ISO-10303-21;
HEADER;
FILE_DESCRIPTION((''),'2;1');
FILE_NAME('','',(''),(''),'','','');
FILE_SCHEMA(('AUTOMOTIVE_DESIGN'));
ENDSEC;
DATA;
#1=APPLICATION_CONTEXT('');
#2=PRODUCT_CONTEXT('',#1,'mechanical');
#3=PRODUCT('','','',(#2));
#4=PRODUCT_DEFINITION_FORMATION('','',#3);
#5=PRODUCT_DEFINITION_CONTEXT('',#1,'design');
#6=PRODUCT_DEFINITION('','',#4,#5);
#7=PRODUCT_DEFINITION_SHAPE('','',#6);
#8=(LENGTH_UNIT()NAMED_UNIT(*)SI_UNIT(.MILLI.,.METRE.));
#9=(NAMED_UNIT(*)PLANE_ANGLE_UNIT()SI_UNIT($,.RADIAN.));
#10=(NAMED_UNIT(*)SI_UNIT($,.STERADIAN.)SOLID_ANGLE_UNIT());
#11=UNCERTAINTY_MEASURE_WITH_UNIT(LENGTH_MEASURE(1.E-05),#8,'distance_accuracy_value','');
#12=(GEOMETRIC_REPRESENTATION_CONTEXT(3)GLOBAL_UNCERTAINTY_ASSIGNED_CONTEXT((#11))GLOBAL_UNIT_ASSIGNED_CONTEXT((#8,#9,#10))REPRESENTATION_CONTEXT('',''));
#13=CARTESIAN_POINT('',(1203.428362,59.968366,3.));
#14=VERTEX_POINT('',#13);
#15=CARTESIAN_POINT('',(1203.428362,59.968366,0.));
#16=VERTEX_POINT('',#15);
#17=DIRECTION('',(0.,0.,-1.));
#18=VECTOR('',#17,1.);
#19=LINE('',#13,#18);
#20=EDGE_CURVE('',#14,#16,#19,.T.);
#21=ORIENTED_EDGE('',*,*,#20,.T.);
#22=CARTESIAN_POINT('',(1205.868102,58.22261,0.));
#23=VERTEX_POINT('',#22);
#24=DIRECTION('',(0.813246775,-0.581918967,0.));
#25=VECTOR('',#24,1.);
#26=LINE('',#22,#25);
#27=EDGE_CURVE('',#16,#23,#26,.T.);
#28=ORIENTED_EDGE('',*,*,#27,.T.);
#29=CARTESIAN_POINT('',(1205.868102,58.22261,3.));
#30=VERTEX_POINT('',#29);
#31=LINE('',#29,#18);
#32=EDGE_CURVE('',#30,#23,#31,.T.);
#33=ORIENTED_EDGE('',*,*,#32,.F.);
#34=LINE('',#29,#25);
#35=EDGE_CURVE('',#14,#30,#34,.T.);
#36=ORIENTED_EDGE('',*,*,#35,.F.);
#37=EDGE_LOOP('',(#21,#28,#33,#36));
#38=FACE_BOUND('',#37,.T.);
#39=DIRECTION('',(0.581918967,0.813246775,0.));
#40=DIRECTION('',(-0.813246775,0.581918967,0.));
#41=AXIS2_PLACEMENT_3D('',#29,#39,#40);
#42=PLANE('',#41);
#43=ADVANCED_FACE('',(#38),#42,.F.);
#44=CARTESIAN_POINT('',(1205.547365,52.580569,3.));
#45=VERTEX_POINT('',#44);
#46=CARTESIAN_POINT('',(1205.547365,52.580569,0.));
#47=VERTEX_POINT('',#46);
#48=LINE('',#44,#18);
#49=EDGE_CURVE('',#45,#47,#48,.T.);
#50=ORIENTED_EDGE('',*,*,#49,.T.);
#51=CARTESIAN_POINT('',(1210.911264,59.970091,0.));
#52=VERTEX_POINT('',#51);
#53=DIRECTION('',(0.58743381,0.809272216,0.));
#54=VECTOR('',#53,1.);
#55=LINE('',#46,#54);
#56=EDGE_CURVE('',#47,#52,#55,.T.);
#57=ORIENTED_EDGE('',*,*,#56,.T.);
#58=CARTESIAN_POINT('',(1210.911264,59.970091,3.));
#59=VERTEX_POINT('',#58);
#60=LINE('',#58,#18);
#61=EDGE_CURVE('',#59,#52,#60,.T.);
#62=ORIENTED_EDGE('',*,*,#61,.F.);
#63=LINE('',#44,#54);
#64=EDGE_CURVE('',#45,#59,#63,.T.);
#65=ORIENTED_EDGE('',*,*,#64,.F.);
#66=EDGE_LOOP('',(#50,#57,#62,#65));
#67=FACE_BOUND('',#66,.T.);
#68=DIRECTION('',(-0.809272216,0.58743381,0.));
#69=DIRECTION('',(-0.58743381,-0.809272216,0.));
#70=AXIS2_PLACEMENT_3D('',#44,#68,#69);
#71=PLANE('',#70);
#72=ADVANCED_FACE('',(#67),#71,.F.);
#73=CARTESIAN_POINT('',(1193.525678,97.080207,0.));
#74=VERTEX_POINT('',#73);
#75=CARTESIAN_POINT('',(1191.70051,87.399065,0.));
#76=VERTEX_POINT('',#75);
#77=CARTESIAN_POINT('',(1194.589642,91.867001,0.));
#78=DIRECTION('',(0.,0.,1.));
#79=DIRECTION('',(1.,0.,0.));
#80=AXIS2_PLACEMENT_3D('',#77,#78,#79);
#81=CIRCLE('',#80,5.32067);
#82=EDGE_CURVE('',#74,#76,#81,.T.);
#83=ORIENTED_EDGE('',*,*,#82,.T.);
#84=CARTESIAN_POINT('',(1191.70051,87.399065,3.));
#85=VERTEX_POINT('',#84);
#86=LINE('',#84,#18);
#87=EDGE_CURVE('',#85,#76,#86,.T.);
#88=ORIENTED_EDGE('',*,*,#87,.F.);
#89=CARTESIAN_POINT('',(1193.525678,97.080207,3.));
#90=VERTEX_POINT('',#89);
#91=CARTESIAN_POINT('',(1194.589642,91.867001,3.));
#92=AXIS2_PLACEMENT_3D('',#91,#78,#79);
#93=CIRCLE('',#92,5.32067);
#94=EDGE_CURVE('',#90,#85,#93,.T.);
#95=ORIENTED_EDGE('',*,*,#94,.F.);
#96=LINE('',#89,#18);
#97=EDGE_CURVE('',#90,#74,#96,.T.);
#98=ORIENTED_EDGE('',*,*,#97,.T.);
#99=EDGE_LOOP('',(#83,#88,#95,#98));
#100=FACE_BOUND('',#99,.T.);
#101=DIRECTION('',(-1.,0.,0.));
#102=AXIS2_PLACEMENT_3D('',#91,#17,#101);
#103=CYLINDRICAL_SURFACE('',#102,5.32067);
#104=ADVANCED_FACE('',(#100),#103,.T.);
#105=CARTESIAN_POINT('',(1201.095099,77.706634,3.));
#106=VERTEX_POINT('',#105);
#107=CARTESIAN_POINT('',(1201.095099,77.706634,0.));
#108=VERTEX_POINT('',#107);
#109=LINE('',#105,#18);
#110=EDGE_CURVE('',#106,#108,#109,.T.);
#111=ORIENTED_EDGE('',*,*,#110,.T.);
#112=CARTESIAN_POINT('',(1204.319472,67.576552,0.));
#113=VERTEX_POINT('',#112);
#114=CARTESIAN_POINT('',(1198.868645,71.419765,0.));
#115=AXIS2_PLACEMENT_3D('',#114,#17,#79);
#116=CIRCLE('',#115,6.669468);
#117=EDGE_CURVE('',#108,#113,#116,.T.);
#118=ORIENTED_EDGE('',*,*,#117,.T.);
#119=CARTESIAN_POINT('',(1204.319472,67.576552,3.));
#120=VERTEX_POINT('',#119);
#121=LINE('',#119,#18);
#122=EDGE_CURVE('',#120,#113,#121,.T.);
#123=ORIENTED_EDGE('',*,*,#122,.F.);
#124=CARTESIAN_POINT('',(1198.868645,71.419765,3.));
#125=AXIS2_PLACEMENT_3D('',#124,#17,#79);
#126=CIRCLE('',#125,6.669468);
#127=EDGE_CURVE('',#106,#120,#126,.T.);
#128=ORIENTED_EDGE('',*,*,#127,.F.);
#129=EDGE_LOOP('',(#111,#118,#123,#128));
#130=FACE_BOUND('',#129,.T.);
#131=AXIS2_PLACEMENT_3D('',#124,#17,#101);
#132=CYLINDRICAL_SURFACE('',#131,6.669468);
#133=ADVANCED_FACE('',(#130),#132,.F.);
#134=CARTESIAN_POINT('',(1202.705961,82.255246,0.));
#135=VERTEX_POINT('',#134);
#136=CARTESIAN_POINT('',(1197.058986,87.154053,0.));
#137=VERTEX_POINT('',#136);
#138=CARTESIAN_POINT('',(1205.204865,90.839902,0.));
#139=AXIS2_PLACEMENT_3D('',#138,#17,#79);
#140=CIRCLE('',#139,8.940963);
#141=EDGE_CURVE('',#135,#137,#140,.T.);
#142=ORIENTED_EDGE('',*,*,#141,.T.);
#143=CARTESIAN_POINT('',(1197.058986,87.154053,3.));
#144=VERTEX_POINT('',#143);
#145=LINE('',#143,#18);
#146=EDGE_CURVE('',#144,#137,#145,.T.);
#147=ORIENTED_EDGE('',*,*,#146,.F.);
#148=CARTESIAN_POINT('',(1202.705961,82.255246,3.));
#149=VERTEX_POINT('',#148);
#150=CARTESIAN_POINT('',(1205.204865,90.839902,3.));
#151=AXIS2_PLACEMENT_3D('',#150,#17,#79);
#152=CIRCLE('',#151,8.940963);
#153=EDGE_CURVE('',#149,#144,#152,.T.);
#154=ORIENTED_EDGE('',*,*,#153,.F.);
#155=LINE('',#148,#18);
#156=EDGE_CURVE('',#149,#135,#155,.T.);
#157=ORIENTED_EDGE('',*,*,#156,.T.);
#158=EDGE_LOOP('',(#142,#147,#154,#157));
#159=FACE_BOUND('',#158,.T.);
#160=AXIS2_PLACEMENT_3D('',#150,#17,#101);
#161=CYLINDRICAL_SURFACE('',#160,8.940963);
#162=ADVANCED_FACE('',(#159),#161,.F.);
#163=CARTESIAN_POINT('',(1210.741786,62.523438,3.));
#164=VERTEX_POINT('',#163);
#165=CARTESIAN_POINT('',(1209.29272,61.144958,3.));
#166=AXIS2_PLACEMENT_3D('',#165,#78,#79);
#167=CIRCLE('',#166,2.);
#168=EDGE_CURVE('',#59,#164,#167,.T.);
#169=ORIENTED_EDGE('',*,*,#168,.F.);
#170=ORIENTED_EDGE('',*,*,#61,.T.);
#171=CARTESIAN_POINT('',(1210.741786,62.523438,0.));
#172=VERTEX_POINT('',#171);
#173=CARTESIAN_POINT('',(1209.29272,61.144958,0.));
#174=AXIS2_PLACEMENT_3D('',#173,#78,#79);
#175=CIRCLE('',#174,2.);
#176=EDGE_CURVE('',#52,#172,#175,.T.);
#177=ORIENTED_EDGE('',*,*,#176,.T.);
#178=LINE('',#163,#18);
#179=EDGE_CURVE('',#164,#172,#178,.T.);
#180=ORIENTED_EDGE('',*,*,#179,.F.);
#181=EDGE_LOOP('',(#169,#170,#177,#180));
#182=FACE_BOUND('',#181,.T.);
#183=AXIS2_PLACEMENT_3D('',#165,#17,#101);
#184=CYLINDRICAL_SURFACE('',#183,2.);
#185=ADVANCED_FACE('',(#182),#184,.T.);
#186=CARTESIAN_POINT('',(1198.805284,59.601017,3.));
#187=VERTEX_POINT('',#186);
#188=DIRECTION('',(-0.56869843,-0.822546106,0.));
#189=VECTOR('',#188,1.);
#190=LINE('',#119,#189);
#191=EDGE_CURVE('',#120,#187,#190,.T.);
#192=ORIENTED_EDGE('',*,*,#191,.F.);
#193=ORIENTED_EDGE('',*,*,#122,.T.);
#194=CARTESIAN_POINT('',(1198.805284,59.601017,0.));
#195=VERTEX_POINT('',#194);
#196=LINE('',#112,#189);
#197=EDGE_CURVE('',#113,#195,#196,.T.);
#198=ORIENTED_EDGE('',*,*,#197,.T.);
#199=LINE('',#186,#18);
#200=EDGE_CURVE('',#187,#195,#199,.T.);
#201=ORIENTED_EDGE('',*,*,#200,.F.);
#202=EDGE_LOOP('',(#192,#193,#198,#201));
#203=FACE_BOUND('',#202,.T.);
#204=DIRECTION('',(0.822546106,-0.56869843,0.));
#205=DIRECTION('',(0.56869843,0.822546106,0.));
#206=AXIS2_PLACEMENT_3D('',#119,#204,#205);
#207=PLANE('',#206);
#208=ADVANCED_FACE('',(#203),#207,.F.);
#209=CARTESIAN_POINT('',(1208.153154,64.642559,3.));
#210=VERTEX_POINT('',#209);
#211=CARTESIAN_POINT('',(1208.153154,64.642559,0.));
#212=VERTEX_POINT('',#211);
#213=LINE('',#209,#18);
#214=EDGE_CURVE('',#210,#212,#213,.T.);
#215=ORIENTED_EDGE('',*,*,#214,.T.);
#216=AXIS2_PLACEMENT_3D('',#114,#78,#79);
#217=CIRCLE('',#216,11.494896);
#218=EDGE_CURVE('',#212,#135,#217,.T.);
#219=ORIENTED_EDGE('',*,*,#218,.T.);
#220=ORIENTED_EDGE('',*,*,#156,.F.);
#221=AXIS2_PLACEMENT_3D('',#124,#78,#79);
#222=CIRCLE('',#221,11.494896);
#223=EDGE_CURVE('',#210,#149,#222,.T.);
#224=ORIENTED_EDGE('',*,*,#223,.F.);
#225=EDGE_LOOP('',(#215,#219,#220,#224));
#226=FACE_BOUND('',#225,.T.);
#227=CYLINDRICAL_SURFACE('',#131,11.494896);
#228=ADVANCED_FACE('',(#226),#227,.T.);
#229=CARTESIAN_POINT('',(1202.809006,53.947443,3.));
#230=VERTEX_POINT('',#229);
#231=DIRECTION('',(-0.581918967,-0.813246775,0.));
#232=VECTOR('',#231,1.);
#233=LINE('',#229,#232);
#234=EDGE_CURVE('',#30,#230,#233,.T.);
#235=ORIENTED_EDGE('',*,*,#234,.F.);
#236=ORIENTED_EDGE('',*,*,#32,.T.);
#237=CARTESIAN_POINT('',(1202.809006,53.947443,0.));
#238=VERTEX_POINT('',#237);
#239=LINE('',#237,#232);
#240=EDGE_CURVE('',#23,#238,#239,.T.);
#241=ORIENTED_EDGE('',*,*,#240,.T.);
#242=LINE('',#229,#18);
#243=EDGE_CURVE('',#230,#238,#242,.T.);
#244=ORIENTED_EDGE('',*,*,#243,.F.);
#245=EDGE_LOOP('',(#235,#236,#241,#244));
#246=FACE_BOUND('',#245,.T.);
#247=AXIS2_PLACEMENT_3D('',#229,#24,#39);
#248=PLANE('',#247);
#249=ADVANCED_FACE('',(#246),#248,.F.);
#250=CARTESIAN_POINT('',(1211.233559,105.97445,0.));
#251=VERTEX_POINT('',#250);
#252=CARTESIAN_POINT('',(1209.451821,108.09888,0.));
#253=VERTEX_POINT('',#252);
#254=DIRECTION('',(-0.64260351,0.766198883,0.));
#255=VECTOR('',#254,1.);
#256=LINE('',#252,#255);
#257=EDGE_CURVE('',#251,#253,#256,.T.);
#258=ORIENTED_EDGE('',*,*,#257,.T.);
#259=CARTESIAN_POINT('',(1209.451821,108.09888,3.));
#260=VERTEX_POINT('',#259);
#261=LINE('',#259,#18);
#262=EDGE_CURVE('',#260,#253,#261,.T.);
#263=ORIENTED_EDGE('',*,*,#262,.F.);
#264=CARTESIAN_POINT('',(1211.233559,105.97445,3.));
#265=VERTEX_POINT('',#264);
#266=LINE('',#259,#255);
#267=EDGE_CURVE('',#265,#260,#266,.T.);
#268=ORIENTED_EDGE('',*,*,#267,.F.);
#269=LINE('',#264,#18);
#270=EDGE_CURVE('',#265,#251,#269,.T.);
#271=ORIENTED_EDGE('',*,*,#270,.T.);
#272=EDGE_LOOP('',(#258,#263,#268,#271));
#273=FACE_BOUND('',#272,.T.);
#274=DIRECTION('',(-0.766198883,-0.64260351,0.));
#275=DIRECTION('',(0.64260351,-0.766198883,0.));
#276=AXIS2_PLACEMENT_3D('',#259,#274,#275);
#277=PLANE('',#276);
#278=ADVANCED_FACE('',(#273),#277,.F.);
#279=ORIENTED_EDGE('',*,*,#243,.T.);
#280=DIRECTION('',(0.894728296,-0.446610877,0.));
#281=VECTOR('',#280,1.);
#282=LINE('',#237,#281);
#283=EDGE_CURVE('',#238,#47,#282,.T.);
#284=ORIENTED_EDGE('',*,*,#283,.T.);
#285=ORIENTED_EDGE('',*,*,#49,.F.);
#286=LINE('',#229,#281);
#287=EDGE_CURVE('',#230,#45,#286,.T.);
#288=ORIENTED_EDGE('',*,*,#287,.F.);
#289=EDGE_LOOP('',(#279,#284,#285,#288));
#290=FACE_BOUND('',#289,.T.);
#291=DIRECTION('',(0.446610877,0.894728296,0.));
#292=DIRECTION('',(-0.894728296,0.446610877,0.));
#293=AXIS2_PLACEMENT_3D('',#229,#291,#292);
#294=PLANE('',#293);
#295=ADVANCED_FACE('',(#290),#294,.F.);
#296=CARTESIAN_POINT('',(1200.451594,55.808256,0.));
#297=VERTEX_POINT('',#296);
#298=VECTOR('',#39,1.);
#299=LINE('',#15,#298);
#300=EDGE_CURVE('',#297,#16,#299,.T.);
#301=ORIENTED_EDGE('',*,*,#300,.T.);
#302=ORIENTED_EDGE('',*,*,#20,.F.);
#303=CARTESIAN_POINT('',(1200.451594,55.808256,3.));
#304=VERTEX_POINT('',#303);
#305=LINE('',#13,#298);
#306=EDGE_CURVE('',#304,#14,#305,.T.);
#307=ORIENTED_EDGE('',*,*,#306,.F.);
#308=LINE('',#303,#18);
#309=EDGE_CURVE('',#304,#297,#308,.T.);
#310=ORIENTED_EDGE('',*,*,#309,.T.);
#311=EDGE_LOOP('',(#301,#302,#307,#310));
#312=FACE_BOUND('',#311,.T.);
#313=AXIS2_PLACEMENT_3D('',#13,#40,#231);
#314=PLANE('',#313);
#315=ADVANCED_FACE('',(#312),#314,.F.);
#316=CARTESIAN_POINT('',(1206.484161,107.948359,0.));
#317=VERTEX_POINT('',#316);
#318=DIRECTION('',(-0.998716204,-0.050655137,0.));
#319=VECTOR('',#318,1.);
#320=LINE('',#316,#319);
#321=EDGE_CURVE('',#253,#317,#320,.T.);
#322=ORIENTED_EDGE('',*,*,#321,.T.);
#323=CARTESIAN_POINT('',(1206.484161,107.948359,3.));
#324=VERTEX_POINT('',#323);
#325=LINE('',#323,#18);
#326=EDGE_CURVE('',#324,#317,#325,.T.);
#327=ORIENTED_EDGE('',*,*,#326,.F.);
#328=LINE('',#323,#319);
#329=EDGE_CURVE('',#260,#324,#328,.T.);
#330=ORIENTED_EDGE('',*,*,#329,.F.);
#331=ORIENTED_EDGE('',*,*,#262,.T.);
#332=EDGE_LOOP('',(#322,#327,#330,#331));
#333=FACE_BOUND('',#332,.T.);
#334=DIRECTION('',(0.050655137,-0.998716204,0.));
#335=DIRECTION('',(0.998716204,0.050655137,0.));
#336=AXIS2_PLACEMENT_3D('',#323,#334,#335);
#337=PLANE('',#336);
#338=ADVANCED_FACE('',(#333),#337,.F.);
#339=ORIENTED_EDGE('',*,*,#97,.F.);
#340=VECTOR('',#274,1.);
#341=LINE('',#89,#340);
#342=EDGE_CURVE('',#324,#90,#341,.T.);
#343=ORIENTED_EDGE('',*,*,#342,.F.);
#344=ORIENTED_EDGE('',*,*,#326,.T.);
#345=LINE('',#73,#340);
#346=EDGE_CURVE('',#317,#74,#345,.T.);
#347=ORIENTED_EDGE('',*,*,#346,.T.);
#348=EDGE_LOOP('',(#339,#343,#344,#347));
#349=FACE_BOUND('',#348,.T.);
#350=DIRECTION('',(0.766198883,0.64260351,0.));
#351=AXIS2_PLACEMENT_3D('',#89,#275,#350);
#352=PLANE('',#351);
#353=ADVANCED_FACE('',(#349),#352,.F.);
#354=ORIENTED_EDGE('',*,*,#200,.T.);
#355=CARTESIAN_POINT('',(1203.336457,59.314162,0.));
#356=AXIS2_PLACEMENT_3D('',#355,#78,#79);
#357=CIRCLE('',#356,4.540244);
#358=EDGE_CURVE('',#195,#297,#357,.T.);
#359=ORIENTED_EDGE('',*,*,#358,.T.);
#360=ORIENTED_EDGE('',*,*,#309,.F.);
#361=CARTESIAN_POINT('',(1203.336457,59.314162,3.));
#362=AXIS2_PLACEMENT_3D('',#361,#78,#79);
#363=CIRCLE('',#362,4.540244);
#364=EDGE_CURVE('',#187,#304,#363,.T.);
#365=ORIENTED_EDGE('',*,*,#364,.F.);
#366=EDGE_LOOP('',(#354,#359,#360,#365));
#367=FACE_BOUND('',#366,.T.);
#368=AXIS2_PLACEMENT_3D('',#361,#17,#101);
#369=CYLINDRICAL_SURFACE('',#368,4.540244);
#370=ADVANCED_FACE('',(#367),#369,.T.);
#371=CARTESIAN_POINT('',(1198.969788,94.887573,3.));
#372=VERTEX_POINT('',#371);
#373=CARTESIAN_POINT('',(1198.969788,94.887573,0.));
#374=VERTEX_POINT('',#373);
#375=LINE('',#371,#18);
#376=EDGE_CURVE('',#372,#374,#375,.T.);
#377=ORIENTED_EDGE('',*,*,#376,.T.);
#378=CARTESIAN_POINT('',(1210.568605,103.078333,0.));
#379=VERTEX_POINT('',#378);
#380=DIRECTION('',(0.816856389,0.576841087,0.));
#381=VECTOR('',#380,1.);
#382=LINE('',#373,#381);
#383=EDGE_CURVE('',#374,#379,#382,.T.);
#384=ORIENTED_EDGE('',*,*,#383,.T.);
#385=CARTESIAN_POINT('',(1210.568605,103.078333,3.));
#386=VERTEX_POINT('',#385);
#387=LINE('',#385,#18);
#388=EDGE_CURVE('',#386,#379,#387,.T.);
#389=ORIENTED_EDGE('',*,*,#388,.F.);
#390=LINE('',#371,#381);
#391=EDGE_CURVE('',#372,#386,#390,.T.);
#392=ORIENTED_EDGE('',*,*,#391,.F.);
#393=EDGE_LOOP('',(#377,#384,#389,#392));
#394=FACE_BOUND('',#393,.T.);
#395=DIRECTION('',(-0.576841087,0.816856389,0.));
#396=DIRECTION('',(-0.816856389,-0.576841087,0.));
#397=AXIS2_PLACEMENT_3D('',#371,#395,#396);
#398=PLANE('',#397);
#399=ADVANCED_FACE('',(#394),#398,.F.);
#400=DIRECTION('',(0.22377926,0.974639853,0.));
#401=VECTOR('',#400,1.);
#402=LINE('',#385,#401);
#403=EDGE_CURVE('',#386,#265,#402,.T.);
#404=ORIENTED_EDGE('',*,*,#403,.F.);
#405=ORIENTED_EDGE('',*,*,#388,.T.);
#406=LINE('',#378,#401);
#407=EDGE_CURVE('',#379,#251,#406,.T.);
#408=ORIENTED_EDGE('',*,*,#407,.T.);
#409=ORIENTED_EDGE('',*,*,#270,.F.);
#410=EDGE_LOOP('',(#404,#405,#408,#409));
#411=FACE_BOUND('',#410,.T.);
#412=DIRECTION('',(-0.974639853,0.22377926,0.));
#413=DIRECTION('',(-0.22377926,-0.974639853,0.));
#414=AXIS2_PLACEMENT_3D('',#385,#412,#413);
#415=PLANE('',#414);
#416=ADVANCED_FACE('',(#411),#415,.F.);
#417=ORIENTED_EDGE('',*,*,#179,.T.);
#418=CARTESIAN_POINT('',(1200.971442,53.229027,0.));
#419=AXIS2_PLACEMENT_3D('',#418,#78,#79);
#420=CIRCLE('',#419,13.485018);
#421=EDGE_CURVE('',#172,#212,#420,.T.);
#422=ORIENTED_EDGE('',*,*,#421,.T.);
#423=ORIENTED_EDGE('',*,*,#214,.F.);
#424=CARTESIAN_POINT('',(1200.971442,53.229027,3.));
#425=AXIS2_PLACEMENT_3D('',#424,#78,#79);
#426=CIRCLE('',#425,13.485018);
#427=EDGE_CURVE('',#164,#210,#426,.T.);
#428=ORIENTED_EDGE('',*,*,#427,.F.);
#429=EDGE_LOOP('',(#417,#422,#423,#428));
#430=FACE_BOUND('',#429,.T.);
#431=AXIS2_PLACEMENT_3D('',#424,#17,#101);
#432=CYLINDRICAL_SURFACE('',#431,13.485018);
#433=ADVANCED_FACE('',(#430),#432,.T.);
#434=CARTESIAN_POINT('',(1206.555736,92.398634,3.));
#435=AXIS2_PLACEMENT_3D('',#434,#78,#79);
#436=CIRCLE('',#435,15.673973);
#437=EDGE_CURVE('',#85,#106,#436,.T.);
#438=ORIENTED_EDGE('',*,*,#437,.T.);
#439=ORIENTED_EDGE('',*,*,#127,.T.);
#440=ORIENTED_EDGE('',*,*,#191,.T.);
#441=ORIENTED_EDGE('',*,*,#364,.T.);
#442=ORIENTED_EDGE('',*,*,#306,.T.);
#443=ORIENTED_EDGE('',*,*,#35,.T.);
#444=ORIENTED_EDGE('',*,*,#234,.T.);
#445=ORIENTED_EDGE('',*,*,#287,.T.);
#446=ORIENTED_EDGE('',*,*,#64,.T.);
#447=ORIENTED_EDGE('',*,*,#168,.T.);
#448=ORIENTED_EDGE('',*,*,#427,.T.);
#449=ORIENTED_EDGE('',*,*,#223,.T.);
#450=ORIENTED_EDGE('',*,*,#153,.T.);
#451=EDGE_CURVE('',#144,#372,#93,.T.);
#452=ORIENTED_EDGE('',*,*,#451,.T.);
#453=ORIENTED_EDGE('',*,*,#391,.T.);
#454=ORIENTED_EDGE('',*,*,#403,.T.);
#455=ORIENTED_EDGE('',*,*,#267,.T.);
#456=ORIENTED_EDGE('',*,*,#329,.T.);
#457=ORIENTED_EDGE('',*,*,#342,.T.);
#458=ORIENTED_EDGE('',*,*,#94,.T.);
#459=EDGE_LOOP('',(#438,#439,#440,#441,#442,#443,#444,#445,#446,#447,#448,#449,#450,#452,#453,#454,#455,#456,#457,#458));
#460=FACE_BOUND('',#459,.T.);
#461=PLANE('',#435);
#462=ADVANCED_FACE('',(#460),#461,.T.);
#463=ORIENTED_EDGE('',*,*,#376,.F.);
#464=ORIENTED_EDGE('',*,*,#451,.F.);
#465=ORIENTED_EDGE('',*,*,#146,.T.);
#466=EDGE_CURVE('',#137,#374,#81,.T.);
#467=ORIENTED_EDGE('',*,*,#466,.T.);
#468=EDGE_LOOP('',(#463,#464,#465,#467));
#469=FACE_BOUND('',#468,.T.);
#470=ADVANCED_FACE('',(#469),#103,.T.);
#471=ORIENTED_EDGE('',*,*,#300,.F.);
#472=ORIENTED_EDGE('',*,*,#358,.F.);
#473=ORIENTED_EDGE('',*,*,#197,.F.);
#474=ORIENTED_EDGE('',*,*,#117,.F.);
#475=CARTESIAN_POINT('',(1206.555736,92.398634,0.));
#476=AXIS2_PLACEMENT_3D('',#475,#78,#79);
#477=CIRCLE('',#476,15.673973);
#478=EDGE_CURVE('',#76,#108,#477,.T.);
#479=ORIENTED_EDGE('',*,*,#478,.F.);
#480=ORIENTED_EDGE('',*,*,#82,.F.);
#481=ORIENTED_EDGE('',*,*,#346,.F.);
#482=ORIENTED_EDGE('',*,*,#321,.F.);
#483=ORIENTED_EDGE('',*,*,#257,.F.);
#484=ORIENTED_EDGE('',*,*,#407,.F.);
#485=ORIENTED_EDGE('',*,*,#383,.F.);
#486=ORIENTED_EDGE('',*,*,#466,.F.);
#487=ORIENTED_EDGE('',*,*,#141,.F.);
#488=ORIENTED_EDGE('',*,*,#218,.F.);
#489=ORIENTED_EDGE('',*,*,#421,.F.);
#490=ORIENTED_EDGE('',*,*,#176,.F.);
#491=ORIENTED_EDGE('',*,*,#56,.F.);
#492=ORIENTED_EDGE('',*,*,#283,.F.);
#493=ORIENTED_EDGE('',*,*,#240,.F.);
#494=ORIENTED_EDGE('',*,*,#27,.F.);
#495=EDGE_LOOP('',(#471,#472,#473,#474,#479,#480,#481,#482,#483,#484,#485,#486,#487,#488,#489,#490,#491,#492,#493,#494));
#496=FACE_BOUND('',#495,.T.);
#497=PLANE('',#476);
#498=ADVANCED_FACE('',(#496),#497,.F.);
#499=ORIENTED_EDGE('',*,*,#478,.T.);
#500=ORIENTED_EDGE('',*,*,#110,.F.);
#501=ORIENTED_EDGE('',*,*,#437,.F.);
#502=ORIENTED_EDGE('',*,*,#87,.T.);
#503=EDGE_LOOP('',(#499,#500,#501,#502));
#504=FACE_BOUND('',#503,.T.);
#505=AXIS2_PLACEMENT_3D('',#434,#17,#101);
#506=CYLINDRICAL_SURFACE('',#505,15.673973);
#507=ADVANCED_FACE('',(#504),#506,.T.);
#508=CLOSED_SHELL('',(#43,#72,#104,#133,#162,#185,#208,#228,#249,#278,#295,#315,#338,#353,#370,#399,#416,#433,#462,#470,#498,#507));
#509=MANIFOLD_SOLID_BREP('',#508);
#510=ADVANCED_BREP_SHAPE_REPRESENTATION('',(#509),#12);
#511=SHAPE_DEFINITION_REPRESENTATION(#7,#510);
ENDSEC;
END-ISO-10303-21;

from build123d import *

# Parameters (mm, degrees)
BASE_EXTRUDE_DEPTH = 3


with BuildPart() as part:
    # Sketch1 → Base-Extrude (new body)
    with BuildSketch(Plane.XY):
        with BuildLine():
            Line((1209.451820501, 108.09887988), (1211.233559267, 105.974449758))
            Line((1211.233559267, 105.974449758), (1210.568605008, 103.078332754))
            Line((1210.568605008, 103.078332754), (1198.969787726, 94.887573091))
            ThreePointArc((1198.969787726, 94.887573091), (1199.754979333, 90.590746745), (1197.058986008, 87.154053204))
            ThreePointArc((1197.058986008, 87.154053204), (1199.345903518, 84.086132658), (1202.705960658, 82.255246482))
            ThreePointArc((1202.705960658, 82.255246482), (1209.850323306, 74.816142589), (1208.153154203, 64.64255908))
            ThreePointArc((1208.153154203, 64.64255908), (1209.513439683, 63.663584022), (1210.741786407, 62.523437946))
            ThreePointArc((1210.741786407, 62.523437946), (1211.288328706, 61.27741643), (1210.911264244, 59.970090727))
            Line((1210.911264244, 59.970090727), (1205.547364782, 52.580569169))
            Line((1205.547364782, 52.580569169), (1202.809005818, 53.947443229))
            Line((1202.809005818, 53.947443229), (1205.868102338, 58.222609567))
            Line((1205.868102338, 58.222609567), (1203.428362014, 59.968366467))
            Line((1203.428362014, 59.968366467), (1200.451593647, 55.808255846))
            ThreePointArc((1200.451593647, 55.808255846), (1199.171644978, 57.50635778), (1198.80528387, 59.601017254))
            Line((1198.80528387, 59.601017254), (1204.319471793, 67.576551504))
            ThreePointArc((1204.319471793, 67.576551504), (1205.223941879, 73.442636449), (1201.095098665, 77.706633686))
            ThreePointArc((1201.095098665, 77.706633686), (1195.300986917, 81.489736173), (1191.700510295, 87.399064684))
            ThreePointArc((1191.700510295, 87.399064684), (1189.361079278, 92.852732142), (1193.525678388, 97.080206622))
            Line((1193.525678388, 97.080206622), (1206.484161244, 107.948359455))
            Line((1206.484161244, 107.948359455), (1209.451820501, 108.09887988))
        make_face()
    extrude(amount=BASE_EXTRUDE_DEPTH)


solid = part.part
